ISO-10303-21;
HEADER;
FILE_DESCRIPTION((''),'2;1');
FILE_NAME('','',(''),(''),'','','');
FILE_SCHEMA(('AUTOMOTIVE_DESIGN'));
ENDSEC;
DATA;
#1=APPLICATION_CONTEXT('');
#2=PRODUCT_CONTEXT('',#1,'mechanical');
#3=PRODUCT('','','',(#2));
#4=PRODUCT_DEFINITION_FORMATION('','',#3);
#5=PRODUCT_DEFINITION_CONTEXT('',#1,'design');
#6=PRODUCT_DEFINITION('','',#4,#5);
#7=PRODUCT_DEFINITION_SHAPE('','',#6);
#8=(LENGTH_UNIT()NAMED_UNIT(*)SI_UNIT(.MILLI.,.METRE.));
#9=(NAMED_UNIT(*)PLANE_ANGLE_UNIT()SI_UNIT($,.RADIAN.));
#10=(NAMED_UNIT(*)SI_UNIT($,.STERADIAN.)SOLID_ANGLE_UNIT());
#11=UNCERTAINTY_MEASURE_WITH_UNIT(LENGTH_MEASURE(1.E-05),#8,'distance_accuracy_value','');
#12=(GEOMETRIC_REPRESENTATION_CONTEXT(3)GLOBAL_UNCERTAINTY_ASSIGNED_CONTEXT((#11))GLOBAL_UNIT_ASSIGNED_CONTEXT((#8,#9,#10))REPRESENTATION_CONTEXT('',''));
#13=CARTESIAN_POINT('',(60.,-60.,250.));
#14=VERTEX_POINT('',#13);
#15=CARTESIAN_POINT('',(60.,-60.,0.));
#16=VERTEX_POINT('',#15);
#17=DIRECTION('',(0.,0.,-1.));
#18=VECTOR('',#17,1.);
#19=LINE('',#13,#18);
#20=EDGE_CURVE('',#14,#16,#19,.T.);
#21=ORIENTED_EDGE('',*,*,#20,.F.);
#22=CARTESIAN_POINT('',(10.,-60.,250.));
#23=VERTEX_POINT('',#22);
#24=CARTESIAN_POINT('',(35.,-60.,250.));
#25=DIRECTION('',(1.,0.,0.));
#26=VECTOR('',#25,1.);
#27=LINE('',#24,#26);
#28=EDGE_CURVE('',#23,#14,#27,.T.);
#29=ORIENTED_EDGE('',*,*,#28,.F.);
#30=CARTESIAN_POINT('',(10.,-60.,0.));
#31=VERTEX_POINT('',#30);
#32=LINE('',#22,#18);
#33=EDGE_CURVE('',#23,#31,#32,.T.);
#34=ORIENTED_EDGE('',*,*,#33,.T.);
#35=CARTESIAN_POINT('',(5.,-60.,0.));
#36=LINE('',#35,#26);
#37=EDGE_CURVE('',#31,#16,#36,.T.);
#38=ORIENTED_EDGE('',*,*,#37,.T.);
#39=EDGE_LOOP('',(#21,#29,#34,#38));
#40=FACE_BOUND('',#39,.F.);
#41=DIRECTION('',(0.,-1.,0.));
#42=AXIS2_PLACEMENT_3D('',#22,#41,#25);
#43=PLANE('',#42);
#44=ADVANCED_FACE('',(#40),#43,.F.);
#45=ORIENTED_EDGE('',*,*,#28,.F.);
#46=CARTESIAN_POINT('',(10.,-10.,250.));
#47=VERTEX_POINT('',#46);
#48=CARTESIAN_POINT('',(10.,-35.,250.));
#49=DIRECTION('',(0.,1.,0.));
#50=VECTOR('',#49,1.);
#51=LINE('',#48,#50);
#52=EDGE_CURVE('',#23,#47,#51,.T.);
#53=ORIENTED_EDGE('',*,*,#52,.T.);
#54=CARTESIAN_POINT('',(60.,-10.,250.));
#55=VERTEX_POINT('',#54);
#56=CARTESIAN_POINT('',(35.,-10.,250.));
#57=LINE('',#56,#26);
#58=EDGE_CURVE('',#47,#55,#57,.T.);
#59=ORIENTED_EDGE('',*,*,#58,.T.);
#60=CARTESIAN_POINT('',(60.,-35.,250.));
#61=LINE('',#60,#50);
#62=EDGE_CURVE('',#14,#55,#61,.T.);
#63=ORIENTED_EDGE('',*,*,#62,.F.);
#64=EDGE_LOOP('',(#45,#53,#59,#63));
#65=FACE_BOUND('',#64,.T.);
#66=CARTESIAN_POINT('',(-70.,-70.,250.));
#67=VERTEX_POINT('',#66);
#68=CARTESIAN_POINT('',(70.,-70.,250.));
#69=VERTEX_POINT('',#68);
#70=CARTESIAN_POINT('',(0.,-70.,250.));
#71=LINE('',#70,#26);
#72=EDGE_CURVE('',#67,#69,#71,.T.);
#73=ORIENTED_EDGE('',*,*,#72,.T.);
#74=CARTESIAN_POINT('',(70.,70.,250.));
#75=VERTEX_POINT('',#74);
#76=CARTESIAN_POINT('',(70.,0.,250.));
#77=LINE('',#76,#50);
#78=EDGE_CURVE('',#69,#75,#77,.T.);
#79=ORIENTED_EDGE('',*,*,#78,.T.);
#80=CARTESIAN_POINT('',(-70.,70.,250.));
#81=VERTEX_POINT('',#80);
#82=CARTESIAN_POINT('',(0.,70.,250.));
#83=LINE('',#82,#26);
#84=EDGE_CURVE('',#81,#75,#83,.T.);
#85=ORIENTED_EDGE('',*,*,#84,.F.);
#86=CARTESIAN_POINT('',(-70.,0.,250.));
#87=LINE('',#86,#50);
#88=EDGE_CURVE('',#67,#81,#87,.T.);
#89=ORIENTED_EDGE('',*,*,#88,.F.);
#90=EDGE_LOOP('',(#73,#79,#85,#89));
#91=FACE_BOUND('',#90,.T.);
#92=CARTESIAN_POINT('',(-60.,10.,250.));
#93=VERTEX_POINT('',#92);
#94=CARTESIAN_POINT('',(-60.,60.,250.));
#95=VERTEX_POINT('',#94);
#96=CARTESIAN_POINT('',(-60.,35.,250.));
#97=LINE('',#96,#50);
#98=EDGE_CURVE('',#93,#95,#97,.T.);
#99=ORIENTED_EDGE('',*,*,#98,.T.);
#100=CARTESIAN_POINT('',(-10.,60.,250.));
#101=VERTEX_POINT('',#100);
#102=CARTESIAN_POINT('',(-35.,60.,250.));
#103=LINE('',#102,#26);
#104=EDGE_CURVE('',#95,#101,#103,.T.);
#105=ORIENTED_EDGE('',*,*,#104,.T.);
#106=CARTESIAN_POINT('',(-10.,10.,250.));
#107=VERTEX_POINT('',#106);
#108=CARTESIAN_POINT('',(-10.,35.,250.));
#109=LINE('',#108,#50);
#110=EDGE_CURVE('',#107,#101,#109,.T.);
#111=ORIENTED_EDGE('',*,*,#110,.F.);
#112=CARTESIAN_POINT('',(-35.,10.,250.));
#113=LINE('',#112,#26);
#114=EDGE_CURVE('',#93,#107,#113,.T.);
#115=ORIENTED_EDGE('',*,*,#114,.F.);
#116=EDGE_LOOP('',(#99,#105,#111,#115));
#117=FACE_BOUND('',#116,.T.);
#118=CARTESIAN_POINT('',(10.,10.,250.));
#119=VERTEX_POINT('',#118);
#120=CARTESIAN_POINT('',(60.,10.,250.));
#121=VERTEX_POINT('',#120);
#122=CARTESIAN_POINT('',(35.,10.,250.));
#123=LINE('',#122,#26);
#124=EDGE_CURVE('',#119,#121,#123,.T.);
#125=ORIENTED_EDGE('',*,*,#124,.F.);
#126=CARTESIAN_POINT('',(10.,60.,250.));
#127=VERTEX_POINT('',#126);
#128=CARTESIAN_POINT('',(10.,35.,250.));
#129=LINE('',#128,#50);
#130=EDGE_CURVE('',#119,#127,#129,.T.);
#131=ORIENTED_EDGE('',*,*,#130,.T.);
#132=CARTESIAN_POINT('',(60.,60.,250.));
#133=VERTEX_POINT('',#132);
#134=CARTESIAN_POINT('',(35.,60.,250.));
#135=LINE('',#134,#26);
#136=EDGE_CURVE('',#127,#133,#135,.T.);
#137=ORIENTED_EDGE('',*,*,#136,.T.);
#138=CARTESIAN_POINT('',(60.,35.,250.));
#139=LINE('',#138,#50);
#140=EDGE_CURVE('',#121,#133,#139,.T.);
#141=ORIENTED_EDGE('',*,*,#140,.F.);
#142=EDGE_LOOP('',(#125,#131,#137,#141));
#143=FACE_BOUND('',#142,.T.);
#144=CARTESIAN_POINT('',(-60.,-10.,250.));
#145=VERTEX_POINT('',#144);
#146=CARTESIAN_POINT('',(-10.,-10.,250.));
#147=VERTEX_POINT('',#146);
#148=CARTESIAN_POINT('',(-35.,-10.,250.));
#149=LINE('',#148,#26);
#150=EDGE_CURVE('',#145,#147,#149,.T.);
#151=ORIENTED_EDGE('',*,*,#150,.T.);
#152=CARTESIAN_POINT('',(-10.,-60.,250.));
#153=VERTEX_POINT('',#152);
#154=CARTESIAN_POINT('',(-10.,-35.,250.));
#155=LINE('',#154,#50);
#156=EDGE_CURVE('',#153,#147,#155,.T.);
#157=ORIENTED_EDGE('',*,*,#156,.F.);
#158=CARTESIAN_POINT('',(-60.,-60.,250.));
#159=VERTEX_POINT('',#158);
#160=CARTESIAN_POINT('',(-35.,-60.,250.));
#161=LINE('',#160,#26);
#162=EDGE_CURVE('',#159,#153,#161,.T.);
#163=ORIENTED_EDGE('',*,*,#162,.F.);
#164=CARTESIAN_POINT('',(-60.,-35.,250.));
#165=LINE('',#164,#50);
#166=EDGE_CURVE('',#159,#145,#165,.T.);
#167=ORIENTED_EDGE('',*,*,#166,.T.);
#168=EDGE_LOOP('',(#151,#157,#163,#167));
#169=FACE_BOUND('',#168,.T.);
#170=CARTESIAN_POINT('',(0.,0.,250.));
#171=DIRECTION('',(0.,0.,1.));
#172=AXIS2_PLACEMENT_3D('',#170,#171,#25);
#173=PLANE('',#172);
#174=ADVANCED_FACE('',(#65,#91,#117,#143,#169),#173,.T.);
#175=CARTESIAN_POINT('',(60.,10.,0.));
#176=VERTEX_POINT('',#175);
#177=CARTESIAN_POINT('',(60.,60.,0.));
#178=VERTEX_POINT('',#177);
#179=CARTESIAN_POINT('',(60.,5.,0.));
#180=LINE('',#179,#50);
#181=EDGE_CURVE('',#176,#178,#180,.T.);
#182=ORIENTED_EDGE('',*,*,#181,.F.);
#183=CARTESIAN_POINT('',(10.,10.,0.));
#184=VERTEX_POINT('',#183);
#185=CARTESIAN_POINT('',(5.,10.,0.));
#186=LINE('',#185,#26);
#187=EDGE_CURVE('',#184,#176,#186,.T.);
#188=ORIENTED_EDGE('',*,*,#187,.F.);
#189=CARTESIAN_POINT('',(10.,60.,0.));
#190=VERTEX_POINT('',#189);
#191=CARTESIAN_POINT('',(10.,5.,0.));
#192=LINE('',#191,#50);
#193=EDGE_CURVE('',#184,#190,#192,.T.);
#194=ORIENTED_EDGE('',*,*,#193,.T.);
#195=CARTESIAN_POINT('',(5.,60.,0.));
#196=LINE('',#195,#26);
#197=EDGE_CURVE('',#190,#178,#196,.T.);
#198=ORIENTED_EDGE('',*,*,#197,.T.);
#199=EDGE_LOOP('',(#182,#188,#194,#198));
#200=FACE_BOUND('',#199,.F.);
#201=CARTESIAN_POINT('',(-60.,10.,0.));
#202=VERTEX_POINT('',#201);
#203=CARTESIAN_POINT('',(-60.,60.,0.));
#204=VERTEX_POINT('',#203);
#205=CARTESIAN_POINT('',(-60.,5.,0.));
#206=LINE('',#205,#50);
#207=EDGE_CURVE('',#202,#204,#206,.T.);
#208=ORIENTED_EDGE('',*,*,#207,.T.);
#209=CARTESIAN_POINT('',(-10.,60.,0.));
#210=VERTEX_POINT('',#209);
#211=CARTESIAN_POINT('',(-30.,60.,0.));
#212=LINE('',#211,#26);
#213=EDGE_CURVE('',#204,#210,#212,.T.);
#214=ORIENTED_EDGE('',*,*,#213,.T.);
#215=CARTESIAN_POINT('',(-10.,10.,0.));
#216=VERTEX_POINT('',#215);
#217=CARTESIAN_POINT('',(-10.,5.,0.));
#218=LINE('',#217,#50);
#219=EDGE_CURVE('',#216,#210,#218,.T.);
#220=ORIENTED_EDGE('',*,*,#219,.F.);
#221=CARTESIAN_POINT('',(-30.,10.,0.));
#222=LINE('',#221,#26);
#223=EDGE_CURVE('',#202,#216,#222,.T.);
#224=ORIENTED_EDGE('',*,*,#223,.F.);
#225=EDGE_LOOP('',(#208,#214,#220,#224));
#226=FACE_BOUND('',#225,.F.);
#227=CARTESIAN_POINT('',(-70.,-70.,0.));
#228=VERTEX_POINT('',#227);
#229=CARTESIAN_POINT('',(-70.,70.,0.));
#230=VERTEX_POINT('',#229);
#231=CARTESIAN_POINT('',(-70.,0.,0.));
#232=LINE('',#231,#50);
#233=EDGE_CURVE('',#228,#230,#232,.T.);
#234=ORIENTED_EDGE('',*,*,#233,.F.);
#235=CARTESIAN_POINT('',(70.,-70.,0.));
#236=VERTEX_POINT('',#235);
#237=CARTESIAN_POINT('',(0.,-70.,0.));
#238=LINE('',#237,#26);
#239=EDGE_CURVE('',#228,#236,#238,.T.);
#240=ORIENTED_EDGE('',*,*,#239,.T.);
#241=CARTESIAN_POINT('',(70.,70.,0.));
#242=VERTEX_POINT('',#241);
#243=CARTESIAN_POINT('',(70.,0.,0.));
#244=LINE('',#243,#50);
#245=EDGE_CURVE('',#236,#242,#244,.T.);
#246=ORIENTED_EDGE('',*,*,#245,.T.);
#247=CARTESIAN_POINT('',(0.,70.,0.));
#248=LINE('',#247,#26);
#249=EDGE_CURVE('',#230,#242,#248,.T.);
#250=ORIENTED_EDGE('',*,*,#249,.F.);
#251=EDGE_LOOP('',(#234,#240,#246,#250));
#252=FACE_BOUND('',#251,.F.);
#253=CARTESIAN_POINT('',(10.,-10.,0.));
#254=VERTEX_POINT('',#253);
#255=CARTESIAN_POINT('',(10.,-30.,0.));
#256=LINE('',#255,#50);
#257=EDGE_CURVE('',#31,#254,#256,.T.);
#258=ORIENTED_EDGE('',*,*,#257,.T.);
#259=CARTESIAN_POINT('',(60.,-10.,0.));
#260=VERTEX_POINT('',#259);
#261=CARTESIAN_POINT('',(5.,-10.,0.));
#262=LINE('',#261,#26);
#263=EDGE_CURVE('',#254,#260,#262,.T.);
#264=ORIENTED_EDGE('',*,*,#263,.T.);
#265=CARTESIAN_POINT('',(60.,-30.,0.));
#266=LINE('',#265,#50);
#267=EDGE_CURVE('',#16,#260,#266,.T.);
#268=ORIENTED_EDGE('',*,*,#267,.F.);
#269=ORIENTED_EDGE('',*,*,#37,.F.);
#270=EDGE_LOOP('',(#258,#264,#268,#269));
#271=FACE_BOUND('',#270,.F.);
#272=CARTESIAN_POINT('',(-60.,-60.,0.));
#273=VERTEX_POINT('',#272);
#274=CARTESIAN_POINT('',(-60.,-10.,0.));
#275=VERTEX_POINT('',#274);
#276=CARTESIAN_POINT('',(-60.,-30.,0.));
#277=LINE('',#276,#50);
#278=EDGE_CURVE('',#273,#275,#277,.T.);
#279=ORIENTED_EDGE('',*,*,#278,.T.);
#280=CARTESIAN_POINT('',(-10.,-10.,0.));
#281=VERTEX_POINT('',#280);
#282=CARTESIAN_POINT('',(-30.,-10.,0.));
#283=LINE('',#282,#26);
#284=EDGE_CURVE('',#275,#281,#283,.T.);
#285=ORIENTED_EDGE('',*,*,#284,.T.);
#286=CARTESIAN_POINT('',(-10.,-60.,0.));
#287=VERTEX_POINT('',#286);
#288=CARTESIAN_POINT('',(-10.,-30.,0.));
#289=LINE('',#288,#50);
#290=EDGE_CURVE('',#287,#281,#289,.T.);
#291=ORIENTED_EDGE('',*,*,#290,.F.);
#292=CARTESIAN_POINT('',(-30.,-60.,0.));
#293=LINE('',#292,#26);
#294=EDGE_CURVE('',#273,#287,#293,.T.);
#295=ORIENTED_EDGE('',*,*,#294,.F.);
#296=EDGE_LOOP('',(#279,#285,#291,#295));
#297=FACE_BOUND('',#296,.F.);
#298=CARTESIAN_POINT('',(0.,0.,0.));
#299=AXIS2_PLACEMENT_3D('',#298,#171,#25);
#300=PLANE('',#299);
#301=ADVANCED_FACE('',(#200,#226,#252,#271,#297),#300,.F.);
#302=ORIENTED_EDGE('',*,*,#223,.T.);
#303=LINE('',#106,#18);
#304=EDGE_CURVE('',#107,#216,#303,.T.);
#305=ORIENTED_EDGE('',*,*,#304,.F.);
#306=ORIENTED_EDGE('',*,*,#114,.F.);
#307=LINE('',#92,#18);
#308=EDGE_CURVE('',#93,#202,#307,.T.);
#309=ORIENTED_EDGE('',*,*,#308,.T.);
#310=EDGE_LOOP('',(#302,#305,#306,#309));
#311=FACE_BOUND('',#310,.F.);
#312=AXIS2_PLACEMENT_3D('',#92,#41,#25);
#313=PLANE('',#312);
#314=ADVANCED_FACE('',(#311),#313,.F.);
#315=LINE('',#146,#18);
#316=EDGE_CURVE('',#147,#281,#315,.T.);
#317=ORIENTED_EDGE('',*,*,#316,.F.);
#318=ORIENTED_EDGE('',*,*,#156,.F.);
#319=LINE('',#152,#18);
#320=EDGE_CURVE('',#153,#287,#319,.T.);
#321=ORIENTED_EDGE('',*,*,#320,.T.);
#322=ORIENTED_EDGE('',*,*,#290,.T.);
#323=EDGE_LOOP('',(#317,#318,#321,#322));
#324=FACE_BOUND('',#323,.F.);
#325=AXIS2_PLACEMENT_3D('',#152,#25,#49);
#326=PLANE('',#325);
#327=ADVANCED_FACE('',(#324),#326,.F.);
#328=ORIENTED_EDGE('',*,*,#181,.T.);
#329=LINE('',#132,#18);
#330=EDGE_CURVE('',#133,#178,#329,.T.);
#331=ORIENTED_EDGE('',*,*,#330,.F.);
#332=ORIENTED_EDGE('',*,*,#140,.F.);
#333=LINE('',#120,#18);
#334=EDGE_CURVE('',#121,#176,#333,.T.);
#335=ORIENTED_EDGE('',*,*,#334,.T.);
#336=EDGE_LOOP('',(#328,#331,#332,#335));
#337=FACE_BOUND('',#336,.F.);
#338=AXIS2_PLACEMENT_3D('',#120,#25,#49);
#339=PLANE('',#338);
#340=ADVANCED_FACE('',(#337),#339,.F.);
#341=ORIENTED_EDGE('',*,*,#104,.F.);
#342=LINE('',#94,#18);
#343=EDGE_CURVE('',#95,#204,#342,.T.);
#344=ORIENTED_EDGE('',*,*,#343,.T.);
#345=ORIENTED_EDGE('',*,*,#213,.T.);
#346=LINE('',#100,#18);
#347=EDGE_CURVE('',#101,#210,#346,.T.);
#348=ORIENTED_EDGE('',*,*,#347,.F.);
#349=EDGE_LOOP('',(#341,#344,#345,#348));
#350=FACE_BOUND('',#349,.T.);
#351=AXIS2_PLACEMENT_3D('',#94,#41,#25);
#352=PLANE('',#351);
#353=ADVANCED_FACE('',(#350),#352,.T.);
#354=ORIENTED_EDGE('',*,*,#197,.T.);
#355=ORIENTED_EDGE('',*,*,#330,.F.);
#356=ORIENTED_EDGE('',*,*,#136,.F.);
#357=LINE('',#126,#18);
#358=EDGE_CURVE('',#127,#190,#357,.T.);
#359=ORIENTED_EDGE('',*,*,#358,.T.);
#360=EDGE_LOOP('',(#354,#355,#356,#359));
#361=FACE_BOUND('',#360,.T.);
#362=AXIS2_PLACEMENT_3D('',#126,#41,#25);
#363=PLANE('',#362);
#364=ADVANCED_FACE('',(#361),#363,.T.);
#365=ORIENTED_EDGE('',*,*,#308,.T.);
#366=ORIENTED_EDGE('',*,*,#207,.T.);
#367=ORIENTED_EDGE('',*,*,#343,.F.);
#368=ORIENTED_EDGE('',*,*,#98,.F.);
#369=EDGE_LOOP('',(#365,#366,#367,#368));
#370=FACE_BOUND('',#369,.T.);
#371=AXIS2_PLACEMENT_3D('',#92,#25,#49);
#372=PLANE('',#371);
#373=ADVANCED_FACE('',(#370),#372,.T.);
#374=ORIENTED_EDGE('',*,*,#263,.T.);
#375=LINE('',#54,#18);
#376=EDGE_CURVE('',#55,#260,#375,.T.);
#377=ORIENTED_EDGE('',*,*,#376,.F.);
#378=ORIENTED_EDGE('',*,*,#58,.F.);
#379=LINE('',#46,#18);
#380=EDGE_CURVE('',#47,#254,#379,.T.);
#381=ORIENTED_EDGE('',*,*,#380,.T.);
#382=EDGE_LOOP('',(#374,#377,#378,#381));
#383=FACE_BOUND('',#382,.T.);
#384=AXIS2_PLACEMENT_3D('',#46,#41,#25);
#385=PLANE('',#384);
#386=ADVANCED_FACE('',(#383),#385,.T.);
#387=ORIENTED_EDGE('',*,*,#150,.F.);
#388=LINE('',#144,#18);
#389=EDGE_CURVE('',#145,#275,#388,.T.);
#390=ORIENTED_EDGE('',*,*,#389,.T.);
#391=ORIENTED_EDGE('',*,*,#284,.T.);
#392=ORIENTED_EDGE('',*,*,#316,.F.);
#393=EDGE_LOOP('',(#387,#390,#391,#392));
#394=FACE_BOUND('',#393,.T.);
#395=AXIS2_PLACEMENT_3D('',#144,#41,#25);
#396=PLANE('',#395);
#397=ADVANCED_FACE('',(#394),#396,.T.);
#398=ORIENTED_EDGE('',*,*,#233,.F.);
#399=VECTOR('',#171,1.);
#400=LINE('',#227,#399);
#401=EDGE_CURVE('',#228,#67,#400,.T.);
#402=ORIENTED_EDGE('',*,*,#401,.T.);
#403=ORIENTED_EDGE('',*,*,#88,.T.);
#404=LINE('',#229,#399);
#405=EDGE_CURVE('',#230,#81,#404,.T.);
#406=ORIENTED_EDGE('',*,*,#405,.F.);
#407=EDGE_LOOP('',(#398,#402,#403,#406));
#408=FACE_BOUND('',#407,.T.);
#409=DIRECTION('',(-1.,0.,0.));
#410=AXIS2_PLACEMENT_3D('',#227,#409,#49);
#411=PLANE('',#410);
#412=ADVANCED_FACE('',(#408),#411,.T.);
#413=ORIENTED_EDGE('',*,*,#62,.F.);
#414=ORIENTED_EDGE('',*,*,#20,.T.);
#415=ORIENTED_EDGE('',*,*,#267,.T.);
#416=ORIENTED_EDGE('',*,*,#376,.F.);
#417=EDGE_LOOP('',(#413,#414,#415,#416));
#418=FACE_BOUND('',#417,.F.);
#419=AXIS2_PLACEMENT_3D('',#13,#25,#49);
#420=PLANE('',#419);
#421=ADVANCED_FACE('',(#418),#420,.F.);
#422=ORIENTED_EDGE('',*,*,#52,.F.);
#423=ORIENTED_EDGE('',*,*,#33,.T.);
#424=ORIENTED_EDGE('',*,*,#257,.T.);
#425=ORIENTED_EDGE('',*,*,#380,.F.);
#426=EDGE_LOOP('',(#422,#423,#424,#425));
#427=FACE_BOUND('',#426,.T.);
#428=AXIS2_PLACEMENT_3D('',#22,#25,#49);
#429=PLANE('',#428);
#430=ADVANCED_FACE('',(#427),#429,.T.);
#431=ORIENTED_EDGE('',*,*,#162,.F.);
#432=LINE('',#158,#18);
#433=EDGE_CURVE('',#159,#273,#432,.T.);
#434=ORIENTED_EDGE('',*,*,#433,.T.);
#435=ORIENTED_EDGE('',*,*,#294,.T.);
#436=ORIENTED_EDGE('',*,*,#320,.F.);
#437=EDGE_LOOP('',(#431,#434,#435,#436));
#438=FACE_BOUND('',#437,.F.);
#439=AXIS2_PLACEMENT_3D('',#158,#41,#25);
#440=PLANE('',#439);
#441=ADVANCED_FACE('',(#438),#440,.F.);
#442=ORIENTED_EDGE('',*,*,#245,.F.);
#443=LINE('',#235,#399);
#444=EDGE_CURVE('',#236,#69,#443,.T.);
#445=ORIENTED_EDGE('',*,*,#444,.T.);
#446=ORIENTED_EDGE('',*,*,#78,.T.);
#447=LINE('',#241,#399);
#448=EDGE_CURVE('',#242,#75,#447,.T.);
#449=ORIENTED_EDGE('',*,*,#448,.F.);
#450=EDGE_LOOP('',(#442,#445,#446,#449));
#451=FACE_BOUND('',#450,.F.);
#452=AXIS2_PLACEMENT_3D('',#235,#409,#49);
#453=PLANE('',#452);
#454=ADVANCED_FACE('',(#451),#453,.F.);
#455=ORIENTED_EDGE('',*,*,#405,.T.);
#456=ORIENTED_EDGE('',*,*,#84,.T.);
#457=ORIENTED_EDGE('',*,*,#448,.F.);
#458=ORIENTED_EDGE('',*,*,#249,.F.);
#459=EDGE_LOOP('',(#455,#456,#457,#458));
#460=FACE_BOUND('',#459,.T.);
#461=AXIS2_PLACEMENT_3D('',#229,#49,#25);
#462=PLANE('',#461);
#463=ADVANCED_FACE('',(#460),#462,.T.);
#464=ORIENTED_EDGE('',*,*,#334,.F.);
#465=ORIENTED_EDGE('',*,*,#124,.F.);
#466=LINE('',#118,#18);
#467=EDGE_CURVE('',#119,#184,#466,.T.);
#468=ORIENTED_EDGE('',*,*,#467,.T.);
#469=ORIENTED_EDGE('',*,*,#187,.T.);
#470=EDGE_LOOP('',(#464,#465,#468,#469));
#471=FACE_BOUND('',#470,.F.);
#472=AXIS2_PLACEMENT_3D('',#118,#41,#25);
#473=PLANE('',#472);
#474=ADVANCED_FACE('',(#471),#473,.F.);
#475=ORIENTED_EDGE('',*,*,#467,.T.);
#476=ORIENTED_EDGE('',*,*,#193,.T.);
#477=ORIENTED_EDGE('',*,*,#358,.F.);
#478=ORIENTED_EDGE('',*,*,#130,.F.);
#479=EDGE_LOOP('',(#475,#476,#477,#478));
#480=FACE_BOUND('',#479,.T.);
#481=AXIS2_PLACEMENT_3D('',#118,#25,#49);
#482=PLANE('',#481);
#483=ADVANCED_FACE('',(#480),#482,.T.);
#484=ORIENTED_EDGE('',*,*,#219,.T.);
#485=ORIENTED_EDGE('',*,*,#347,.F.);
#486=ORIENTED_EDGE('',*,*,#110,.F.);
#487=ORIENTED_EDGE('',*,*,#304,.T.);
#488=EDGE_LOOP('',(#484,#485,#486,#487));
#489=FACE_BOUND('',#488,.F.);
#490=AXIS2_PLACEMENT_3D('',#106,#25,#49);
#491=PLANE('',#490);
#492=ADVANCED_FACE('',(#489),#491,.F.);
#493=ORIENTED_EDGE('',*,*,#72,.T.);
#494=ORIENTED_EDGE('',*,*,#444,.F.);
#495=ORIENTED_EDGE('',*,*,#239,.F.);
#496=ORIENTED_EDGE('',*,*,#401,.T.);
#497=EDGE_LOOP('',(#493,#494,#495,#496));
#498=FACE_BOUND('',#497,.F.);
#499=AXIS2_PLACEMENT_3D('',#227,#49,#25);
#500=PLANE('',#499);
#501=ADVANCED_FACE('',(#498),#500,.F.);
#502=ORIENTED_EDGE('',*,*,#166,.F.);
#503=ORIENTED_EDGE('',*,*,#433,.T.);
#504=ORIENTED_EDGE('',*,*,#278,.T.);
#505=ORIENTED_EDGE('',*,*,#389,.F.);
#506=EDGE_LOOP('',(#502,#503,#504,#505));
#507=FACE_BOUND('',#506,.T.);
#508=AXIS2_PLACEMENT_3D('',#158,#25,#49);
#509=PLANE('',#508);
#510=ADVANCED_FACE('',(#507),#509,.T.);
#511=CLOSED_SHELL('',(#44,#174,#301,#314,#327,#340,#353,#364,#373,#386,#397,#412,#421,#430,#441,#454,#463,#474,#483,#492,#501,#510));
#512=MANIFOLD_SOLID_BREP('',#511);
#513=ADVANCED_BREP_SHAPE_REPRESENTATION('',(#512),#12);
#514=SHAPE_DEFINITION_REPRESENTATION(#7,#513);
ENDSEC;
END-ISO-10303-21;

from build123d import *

# Parameters (mm, degrees)
SKETCH_W     = 140
SKETCH_H     = 140
PAD_DEPTH    = 250
SKETCH001_W  = 50
SKETCH001_H  = 50
POCKET_DEPTH = 250.001


with BuildPart() as part:
    # Sketch → Pad (new body)
    with BuildSketch(Plane.XY):
        Rectangle(SKETCH_W, SKETCH_H)
    extrude(amount=PAD_DEPTH)

    # Sketch001 → Pocket (cut, through all)
    with BuildSketch(Plane.XY.offset(250)):
        with Locations((-35, 35)):
            Rectangle(SKETCH001_W, SKETCH001_H)
        with Locations((35, 35)):
            Rectangle(SKETCH001_W, SKETCH001_H)
        with Locations((-35, -35)):
            Rectangle(SKETCH001_W, SKETCH001_H)
        with Locations((35, -35)):
            Rectangle(SKETCH001_W, SKETCH001_H)
    extrude(amount=-POCKET_DEPTH, mode=Mode.SUBTRACT)


solid = part.part
